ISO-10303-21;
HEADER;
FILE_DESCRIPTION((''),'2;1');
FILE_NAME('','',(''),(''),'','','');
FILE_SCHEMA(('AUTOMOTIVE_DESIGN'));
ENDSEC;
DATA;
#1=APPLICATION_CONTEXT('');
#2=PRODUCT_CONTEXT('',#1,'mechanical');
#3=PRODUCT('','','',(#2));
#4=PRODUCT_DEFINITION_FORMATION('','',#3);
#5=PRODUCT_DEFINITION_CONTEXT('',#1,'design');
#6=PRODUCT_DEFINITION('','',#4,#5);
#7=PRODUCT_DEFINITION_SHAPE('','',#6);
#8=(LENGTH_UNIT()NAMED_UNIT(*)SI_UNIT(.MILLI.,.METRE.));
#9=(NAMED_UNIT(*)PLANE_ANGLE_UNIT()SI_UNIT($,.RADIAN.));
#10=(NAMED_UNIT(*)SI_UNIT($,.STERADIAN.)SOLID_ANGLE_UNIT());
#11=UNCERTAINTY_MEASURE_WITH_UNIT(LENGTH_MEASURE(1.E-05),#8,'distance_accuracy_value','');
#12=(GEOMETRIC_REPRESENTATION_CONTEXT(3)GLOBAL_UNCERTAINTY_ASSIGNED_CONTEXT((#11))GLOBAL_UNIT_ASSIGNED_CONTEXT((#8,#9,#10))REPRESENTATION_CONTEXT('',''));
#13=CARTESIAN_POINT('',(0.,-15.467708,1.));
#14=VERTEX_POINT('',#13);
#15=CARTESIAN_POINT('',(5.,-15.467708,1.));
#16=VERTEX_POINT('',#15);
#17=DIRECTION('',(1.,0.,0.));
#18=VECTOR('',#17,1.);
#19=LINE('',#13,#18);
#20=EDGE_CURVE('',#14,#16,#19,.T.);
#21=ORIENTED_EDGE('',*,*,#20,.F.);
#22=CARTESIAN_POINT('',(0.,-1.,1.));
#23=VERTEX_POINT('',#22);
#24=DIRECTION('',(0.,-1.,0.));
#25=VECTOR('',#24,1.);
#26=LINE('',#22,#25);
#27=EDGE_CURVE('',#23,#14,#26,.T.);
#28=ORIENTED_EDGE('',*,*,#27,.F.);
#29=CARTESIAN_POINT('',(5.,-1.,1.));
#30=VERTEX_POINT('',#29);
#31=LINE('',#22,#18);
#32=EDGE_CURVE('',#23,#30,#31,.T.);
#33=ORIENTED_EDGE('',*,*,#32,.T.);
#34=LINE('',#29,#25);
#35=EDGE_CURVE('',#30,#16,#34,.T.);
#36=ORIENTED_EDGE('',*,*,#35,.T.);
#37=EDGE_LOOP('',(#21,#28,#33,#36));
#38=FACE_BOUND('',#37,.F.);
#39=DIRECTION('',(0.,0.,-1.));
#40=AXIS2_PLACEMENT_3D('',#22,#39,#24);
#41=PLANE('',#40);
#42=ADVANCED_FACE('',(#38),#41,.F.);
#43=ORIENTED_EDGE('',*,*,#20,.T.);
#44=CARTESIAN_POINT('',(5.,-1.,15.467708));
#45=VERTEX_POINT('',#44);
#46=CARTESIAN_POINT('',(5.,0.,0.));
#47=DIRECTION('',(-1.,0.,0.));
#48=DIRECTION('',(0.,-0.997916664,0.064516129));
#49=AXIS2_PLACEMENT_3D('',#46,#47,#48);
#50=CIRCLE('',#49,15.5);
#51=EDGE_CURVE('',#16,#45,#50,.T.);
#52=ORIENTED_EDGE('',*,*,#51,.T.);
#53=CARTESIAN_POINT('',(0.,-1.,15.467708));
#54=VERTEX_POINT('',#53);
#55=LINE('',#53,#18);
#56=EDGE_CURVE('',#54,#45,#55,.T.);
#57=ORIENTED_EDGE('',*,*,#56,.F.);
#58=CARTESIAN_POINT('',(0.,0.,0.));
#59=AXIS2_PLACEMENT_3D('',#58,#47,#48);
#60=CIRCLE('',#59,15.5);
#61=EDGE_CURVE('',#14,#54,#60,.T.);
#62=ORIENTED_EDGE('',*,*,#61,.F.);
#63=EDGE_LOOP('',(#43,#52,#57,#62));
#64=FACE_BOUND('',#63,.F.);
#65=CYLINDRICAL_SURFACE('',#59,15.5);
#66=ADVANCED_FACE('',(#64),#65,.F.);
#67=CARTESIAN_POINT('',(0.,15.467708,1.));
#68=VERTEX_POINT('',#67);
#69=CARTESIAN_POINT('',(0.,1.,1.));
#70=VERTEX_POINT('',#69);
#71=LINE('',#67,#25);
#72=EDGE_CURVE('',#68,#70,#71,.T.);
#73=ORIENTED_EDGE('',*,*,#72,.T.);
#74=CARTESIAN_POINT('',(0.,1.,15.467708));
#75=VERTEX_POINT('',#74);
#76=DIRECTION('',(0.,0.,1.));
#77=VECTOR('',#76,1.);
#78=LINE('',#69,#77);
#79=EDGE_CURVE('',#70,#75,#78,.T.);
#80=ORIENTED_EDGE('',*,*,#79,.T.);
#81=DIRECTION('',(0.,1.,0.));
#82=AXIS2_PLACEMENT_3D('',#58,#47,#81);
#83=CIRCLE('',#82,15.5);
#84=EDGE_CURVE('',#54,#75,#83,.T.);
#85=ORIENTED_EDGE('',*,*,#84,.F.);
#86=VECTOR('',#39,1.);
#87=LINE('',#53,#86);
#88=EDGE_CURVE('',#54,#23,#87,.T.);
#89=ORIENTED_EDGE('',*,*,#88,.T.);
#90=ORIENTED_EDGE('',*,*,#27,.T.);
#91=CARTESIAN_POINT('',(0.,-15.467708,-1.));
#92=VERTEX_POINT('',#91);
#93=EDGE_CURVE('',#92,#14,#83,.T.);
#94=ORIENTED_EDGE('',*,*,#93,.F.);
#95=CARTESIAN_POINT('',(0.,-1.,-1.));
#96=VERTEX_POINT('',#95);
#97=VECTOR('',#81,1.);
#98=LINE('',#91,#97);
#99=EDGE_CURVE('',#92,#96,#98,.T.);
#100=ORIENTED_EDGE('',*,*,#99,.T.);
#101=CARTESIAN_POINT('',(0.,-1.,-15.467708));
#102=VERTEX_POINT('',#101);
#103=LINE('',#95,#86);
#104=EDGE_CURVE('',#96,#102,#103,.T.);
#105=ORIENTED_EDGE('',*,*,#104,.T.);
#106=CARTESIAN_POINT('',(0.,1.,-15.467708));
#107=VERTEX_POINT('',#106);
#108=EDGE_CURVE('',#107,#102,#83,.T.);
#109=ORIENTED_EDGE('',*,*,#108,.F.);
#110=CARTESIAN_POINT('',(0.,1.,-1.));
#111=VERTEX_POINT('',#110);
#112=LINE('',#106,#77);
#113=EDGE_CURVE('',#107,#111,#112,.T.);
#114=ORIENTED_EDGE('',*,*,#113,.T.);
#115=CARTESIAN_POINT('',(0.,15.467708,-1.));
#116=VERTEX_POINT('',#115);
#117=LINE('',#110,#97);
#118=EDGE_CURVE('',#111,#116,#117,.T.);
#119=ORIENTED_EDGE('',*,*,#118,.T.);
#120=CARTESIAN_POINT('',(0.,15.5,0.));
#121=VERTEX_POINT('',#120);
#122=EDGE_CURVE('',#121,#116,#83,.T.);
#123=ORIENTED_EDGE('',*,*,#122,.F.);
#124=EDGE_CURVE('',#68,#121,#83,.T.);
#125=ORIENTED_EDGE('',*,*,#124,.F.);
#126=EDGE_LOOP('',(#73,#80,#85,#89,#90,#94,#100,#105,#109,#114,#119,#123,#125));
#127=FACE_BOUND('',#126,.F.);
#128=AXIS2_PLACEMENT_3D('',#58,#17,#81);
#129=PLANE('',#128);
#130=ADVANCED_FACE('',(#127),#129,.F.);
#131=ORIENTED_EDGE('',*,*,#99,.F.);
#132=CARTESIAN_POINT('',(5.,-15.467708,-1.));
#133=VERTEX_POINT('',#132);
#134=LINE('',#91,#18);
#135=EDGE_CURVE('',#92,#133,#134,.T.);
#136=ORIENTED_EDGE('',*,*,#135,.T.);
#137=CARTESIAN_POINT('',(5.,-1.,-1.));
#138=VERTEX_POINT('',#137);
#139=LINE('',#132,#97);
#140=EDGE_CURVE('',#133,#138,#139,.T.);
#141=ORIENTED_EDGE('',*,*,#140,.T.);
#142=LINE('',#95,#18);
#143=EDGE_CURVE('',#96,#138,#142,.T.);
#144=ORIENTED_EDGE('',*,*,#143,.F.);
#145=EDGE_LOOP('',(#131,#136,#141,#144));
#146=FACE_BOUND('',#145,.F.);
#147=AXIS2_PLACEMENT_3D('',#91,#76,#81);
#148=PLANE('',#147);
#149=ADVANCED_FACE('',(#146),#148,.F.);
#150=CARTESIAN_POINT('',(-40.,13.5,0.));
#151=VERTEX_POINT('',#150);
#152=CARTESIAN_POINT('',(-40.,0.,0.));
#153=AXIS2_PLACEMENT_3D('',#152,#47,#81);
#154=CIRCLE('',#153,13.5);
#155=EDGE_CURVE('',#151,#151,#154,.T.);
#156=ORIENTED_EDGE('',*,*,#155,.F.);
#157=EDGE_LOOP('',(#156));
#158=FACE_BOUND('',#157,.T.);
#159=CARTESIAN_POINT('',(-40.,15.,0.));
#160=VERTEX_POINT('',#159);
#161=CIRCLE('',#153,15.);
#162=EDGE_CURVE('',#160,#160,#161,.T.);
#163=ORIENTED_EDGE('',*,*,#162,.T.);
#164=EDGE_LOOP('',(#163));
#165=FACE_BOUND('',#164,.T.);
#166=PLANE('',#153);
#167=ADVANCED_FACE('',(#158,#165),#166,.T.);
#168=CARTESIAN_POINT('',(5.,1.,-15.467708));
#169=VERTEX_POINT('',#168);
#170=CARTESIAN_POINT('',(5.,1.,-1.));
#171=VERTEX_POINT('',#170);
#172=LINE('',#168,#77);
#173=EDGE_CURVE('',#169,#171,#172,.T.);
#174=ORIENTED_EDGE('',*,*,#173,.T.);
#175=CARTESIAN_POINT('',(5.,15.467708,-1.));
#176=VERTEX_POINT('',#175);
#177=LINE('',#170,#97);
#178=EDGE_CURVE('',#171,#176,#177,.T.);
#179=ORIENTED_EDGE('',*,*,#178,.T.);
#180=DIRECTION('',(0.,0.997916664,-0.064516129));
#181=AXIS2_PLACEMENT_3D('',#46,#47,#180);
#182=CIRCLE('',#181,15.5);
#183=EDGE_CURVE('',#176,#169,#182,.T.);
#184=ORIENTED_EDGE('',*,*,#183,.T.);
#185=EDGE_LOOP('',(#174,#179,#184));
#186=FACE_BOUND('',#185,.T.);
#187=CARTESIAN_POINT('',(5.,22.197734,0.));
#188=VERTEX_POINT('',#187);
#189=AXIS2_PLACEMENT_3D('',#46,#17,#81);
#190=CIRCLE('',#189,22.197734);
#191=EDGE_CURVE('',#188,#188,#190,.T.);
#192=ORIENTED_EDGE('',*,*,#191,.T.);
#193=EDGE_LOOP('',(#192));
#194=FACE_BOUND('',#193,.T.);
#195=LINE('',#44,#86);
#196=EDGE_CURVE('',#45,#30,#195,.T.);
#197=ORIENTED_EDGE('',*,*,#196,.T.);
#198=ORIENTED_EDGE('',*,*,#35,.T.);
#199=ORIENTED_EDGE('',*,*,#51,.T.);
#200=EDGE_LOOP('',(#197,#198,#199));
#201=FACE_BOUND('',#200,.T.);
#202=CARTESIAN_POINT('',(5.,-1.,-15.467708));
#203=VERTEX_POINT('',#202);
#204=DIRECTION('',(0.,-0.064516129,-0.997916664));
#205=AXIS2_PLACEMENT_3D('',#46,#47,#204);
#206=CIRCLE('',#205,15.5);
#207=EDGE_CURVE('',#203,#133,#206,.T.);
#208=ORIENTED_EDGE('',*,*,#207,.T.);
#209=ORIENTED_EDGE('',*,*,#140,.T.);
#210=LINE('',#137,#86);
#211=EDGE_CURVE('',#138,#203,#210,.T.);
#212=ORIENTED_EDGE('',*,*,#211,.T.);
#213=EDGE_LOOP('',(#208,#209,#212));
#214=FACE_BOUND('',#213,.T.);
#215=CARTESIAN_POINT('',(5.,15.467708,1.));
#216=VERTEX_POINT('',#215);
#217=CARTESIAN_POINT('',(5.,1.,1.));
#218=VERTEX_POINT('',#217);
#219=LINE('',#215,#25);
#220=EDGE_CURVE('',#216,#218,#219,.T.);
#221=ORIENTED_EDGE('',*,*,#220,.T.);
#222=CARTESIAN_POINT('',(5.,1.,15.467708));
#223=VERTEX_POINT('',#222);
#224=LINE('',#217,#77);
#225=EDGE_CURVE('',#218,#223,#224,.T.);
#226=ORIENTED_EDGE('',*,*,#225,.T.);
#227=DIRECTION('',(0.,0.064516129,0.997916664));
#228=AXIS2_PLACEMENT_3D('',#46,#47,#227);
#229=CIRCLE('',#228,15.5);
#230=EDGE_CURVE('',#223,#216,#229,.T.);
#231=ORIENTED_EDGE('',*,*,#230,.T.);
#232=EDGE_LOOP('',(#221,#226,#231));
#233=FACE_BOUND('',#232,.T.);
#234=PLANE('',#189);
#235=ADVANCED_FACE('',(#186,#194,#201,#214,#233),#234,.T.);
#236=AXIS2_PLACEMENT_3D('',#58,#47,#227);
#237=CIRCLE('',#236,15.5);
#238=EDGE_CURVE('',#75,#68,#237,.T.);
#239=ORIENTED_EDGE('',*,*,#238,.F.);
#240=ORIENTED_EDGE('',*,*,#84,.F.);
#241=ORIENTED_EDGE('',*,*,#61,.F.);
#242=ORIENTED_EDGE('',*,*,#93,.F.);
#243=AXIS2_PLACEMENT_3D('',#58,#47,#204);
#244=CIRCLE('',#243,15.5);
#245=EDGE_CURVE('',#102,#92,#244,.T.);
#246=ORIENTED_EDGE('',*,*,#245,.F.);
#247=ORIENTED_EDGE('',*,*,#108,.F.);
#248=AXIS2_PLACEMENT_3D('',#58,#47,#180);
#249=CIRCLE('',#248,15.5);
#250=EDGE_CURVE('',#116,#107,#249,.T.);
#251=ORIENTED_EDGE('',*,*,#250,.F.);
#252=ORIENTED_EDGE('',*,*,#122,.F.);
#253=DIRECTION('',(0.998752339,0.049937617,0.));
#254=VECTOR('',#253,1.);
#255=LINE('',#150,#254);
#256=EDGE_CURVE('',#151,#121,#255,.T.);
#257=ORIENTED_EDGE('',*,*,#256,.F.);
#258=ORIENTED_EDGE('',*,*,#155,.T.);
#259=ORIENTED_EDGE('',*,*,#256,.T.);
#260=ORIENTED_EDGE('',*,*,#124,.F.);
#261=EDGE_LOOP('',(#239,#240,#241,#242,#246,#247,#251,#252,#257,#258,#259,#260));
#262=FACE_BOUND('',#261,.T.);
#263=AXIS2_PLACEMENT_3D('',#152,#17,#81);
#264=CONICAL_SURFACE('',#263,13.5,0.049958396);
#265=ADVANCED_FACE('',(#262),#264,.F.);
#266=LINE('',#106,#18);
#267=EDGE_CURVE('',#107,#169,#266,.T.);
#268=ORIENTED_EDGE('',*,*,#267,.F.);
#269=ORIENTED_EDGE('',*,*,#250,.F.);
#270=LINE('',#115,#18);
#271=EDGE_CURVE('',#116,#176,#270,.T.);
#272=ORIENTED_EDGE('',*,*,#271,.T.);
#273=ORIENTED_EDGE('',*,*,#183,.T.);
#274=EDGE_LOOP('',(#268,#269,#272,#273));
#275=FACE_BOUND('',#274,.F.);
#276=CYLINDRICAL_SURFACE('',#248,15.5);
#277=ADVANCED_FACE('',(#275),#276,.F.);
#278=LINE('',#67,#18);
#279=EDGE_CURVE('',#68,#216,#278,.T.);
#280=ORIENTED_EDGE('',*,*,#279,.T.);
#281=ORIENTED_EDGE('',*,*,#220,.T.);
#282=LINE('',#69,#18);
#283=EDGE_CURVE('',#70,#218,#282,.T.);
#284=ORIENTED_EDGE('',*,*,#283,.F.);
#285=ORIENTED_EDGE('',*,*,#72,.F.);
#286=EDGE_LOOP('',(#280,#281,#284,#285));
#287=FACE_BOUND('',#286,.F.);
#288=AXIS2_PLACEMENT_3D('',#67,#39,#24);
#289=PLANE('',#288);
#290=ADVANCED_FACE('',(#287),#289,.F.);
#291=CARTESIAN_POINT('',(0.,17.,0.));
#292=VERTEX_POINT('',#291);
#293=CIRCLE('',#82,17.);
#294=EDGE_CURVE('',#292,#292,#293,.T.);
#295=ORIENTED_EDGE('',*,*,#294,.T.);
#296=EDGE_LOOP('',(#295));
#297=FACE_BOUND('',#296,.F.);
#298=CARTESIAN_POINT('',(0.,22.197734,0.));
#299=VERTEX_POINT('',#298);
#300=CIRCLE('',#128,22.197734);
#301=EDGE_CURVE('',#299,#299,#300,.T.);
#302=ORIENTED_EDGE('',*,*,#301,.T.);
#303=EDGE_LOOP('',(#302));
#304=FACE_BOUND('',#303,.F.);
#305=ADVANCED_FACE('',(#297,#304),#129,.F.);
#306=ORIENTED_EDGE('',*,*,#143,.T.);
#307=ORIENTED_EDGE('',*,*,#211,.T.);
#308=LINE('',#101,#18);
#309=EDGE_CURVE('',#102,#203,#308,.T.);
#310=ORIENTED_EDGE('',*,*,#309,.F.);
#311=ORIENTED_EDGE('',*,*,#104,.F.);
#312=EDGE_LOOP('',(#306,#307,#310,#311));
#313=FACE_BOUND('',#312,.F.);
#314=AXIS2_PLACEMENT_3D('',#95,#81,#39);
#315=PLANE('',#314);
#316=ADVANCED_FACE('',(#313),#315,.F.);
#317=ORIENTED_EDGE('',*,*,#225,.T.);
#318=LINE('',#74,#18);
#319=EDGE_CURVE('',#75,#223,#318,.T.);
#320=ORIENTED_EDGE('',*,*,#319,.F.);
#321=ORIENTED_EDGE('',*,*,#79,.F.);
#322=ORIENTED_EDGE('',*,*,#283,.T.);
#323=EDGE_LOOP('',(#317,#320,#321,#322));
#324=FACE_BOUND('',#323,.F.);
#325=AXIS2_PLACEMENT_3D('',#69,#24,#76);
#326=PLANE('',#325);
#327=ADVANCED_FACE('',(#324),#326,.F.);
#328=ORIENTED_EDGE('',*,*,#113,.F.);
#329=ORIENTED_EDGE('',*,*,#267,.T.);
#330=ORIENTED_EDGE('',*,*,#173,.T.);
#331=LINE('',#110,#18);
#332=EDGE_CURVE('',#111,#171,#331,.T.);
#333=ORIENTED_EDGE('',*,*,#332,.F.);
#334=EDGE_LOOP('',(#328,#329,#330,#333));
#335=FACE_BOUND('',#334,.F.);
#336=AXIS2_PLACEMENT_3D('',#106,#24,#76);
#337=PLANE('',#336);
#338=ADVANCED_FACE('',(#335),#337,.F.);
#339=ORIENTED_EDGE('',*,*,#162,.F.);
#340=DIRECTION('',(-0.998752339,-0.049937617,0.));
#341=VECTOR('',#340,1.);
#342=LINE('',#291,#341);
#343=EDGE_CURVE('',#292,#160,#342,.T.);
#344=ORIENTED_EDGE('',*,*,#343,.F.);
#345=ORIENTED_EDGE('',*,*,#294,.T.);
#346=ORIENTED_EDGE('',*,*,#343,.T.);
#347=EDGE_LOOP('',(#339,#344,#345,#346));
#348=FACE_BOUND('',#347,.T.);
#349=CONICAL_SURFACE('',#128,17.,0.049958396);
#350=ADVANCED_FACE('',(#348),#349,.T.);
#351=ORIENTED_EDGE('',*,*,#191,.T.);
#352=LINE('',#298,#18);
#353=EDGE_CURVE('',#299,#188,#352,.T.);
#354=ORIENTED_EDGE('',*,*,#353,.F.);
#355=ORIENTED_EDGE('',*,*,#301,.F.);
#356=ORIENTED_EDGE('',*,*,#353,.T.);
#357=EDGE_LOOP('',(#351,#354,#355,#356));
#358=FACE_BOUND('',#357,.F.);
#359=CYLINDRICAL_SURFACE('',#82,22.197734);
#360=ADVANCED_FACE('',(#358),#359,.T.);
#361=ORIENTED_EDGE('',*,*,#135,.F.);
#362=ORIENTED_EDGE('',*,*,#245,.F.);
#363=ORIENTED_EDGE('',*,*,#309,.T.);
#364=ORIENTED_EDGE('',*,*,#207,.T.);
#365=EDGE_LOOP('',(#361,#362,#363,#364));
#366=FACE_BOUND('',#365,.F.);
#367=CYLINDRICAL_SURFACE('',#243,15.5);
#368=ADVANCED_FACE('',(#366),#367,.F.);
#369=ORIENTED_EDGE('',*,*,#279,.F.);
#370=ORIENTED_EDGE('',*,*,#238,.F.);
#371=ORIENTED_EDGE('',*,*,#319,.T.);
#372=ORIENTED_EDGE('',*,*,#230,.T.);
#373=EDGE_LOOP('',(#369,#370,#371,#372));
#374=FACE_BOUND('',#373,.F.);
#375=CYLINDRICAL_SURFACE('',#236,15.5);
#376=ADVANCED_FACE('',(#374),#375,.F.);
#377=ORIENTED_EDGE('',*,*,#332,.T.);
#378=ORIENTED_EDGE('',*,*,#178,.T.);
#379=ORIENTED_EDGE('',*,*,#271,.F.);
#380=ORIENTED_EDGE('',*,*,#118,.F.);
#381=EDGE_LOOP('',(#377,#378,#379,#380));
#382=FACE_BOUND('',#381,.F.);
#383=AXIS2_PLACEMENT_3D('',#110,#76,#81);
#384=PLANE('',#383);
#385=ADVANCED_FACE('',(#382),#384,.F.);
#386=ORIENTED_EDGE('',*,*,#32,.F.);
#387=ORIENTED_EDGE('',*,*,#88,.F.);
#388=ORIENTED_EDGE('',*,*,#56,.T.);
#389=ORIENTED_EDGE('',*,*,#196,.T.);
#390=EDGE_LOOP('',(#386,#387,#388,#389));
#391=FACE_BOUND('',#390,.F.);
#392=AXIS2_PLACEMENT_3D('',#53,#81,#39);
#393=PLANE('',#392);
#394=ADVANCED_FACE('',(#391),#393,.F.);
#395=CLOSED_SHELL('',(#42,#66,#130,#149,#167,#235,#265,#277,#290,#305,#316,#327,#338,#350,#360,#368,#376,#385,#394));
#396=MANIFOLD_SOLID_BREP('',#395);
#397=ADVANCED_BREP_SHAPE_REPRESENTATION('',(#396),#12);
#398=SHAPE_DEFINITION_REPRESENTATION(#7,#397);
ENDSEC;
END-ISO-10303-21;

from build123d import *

# Parameters (mm, degrees)
F2_R     = 22.1977337457
F2_R_2   = 17
F3_DEPTH = 5


with BuildPart() as f1:
    # F0 (on Top) → F1 (revolve)
    with BuildSketch(Plane.XY):
        Polygon((-40, 13.5), (0, 15.5), (0, 17), (-40, 15), align=None)
    revolve(axis=Axis((-21.4074403048, 0, 0), (-1, 0, 0)))

    # F2 (on face) → F3 (join)
    with BuildSketch(Plane.YZ):
        Circle(F2_R)
        Circle(F2_R_2, mode=Mode.SUBTRACT)
        Circle(F2_R_2)
        with BuildLine():
            ThreePointArc((1, 15.4677082983), (10.9601551084, 10.9601551084), (15.4677082983, 1))
            ThreePointArc((15.4677082983, 1), (15.4919249711, 0.5002606206), (15.5, 0))
            ThreePointArc((15.5, 0), (15.4919249711, -0.5002606206), (15.4677082983, -1))
            ThreePointArc((15.4677082983, -1), (10.9601551084, -10.9601551084), (1, -15.4677082983))
            ThreePointArc((1, -15.4677082983), (0, -15.5), (-1, -15.4677082983))
            ThreePointArc((-1, -15.4677082983), (-10.9601551084, -10.9601551084), (-15.4677082983, -1))
            ThreePointArc((-15.4677082983, -1), (-15.5, 0), (-15.4677082983, 1))
            ThreePointArc((-15.4677082983, 1), (-10.9601551084, 10.9601551084), (-1, 15.4677082983))
            ThreePointArc((-1, 15.4677082983), (0, 15.5), (1, 15.4677082983))
        make_face(mode=Mode.SUBTRACT)
        with BuildLine():
            ThreePointArc((15.5, 0), (15.4919249711, 0.5002606206), (15.4677082983, 1))
            Line((15.4677082983, 1), (1, 1))
            Line((1, 1), (1, 15.4677082983))
            ThreePointArc((1, 15.4677082983), (0, 15.5), (-1, 15.4677082983))
            Line((-1, 15.4677082983), (-1, 1))
            Line((-1, 1), (-15.4677082983, 1))
            ThreePointArc((-15.4677082983, 1), (-15.5, 0), (-15.4677082983, -1))
            Line((-15.4677082983, -1), (-1, -1))
            Line((-1, -1), (-1, -15.4677082983))
            ThreePointArc((-1, -15.4677082983), (0, -15.5), (1, -15.4677082983))
            Line((1, -15.4677082983), (1, -1))
            Line((1, -1), (15.4677082983, -1))
            ThreePointArc((15.4677082983, -1), (15.4919249711, -0.5002606206), (15.5, 0))
        make_face()
    extrude(amount=F3_DEPTH)


solid = f1.part
